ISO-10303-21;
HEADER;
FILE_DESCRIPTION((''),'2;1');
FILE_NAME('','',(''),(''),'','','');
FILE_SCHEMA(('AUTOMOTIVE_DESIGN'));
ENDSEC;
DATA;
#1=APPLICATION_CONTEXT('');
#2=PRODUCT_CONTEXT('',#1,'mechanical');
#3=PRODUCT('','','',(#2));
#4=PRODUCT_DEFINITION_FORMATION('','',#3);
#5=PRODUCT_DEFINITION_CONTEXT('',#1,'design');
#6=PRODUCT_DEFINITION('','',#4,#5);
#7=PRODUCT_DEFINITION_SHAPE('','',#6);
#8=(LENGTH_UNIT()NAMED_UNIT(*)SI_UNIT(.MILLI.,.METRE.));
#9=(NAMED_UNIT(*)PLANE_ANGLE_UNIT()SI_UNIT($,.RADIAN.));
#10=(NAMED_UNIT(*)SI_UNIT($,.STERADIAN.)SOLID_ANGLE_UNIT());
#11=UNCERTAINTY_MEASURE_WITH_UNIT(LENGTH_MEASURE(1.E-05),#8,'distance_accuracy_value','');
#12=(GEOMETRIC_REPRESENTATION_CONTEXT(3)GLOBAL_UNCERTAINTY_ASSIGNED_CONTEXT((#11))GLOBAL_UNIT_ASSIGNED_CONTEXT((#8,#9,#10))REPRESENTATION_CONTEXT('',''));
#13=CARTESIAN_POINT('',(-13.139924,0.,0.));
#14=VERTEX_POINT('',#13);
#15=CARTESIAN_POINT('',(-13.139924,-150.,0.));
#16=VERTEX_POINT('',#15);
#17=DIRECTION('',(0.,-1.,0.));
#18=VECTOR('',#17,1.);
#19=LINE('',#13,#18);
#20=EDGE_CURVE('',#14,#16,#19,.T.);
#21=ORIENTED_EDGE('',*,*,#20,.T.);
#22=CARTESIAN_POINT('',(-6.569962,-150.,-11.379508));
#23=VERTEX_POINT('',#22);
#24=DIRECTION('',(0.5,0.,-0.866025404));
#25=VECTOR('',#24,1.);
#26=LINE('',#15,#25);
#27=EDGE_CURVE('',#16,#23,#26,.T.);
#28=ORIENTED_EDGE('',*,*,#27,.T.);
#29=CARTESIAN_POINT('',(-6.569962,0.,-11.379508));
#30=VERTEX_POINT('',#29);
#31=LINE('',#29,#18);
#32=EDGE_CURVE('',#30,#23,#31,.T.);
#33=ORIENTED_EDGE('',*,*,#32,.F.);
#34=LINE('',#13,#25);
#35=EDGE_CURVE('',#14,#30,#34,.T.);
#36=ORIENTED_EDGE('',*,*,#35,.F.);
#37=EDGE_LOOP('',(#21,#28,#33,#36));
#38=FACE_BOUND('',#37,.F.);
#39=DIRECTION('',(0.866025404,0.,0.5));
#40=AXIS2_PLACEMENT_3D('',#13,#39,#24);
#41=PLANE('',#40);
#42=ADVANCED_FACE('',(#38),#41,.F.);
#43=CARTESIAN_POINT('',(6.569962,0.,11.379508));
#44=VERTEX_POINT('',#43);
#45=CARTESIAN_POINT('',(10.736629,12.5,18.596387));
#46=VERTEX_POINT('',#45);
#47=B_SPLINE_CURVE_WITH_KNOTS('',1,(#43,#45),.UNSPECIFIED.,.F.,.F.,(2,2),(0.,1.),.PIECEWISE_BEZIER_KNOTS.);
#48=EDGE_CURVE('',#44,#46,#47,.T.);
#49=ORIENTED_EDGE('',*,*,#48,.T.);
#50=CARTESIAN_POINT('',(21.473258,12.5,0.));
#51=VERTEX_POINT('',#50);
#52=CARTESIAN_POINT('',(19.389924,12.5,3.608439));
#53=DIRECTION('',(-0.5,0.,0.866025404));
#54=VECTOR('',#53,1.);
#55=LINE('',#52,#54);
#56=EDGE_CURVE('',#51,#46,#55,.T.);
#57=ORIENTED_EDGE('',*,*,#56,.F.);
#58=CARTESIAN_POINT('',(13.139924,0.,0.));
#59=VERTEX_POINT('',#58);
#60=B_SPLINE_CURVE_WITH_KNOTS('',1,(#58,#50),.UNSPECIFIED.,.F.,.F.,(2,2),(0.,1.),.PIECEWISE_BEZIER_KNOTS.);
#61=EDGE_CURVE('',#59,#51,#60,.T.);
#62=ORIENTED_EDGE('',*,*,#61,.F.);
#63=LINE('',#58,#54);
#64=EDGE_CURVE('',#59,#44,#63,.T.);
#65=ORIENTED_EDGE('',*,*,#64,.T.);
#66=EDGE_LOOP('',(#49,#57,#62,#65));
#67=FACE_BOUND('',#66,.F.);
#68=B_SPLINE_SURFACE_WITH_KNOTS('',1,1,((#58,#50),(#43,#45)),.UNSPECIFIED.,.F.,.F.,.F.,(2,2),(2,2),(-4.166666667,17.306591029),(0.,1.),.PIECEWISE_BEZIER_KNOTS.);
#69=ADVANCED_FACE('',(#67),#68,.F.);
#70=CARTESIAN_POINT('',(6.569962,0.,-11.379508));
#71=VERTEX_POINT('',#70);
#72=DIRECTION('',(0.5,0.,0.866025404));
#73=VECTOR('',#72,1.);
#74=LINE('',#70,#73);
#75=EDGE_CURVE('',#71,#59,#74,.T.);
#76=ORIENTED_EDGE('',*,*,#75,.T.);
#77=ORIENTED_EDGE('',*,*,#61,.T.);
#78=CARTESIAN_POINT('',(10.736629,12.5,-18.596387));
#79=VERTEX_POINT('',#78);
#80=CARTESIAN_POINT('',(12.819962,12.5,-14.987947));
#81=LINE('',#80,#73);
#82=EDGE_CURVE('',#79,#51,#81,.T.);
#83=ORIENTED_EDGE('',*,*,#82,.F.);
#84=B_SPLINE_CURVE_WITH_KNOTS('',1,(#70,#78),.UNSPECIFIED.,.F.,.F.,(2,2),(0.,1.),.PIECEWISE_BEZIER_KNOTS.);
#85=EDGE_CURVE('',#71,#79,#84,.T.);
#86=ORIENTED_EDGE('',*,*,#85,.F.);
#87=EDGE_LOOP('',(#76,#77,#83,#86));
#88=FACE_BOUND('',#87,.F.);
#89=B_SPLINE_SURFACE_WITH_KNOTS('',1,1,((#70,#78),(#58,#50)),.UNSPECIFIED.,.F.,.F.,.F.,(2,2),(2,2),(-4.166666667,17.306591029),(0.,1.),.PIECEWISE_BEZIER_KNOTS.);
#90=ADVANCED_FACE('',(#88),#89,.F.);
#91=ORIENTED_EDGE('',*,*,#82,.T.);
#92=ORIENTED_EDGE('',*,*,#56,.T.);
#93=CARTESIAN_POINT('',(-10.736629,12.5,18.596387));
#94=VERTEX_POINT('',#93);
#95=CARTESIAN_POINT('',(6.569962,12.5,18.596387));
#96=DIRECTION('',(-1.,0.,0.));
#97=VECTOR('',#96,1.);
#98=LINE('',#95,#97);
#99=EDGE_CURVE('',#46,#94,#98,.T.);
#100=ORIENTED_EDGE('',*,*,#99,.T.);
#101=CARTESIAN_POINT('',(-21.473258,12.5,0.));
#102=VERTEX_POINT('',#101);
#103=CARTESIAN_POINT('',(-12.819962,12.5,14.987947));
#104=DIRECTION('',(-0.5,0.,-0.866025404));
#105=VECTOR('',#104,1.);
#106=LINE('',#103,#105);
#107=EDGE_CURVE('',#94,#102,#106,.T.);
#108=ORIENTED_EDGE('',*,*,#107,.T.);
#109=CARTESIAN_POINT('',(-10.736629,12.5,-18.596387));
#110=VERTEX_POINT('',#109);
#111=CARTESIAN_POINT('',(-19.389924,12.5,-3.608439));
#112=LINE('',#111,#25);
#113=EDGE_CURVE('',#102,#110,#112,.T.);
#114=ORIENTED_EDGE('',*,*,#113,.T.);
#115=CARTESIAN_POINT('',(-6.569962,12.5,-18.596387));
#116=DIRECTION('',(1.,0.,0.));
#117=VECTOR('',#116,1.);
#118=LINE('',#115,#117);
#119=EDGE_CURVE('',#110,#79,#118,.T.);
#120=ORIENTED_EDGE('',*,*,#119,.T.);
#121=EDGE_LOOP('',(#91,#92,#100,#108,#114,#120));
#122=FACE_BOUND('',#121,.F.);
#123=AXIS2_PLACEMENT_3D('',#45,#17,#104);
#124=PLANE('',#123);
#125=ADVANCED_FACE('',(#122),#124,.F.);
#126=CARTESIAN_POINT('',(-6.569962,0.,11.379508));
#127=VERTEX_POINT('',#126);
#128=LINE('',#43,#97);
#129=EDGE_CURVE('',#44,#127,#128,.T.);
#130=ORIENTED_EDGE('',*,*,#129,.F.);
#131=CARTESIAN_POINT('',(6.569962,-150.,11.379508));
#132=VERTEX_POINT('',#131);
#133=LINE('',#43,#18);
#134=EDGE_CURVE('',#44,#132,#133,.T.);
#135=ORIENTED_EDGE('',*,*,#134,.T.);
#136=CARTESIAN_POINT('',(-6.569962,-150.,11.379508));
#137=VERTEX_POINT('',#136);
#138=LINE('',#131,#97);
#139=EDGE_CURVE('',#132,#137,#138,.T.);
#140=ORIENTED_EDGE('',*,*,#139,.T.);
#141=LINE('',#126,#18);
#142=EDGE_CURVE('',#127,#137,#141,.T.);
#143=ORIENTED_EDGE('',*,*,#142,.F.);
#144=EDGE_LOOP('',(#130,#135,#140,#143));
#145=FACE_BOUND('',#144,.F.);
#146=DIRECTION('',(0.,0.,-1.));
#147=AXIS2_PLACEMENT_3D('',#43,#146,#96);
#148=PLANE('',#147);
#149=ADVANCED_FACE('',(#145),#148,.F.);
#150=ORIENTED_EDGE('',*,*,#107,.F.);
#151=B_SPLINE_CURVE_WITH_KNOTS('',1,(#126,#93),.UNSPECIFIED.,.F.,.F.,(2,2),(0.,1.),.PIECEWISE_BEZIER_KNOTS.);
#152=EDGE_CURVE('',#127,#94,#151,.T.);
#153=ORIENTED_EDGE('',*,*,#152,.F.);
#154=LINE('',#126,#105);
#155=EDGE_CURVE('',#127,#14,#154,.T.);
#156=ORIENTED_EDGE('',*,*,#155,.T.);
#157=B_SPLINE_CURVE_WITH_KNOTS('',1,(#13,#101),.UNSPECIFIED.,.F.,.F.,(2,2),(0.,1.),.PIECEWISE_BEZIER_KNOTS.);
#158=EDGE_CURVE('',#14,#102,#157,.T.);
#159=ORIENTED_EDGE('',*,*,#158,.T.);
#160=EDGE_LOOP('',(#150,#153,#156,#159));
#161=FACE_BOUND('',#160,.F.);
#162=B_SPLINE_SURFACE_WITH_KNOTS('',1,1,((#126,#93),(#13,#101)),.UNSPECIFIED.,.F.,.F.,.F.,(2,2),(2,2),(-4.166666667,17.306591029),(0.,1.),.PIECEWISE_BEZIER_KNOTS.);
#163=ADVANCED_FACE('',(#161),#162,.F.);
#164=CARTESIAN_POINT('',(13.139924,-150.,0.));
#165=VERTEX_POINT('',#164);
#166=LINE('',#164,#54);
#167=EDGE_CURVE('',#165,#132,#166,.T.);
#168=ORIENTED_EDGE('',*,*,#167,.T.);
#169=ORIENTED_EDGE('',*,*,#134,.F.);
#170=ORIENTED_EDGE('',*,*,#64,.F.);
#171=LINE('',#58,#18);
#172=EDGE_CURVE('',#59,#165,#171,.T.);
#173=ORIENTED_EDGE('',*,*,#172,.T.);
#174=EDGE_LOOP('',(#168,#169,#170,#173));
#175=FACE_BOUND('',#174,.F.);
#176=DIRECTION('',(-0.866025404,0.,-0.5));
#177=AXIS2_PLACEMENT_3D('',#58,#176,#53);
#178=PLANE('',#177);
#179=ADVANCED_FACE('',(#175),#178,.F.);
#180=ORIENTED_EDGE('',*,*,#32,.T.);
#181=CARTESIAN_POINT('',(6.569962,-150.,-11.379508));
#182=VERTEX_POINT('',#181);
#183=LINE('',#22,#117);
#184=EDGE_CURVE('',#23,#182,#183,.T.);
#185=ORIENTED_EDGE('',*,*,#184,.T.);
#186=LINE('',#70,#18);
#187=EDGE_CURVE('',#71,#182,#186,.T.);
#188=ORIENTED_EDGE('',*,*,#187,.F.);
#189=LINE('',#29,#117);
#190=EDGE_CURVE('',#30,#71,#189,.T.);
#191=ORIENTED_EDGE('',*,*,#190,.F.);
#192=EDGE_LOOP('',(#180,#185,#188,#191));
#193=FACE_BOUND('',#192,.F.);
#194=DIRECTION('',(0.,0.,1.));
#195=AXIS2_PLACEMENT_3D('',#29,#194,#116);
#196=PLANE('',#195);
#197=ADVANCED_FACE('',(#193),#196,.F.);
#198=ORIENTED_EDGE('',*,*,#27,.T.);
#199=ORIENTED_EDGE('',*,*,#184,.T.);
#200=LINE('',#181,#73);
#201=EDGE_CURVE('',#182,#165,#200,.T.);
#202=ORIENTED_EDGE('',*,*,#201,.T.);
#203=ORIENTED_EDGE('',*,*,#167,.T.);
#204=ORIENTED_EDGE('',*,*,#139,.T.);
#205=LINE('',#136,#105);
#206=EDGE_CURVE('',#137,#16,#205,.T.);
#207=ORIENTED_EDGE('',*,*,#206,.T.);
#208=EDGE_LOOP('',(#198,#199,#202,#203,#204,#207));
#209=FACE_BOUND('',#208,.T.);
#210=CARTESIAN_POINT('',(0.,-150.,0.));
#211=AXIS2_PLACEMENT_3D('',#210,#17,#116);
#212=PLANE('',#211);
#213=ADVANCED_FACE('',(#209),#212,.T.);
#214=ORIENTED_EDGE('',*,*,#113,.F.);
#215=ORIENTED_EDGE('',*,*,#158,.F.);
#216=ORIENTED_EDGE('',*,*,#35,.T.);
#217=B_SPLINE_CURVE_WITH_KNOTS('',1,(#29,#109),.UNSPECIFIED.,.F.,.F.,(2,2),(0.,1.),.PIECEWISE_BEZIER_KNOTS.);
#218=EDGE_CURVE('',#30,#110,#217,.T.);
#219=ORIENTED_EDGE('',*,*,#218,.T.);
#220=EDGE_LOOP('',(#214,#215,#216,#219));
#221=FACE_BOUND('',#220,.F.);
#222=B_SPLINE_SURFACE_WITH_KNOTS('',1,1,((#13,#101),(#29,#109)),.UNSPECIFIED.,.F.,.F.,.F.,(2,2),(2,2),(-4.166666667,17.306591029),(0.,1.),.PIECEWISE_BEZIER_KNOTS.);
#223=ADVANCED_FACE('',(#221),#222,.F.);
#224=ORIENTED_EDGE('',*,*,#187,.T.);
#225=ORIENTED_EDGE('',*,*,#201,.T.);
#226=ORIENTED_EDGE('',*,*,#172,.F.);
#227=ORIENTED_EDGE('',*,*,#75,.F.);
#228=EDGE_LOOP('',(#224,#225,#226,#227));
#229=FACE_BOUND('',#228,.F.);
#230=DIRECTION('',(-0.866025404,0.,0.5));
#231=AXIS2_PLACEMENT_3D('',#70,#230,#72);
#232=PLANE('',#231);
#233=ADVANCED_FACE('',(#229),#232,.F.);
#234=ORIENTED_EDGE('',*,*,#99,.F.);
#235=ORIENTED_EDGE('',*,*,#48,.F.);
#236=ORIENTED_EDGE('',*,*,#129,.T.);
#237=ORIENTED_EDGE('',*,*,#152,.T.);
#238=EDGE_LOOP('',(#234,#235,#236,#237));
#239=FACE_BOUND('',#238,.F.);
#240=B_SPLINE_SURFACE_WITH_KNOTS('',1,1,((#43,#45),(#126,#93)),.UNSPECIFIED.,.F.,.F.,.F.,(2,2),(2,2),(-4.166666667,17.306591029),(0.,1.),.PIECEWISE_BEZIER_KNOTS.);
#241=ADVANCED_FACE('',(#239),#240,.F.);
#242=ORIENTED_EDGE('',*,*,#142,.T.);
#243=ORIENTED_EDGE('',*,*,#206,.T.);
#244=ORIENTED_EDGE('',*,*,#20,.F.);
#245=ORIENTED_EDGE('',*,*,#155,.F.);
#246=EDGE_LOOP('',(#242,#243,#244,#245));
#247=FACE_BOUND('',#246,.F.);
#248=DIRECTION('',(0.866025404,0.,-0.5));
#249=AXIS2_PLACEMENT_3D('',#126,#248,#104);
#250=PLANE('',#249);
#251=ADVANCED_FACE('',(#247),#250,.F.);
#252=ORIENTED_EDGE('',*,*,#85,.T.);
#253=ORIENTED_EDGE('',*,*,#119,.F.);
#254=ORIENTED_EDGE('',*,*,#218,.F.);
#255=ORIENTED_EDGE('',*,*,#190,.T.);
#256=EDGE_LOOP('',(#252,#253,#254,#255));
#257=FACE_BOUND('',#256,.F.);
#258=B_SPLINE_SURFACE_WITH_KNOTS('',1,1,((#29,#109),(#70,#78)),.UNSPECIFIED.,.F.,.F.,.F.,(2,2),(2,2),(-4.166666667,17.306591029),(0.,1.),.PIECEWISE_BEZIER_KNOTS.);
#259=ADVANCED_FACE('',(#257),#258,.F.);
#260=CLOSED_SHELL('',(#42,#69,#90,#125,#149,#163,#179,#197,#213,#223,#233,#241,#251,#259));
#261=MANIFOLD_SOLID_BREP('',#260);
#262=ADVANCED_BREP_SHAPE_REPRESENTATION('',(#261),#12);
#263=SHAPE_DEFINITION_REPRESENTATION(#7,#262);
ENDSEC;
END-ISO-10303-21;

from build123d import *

# Parameters (mm, degrees)
F1_DEPTH = 150
F2_DEPTH = 12.5
F2_TAPER = -30


with BuildPart() as f1:
    # F0 (on Front) → F1 (new body)
    with BuildSketch(Plane.XZ):
        Polygon((6.5699621812, 11.3795083016), (-6.5699621812, 11.3795083016), (-13.1399243624, 0), (-6.5699621812, -11.3795083016), (6.5699621812, -11.3795083016), (13.1399243624, 0), align=None)
    extrude(amount=F1_DEPTH)

    # F0 (on Front) → F2 (join)
    with BuildSketch(Plane.XZ):
        Polygon((6.5699621812, 11.3795083016), (-6.5699621812, 11.3795083016), (-13.1399243624, 0), (-6.5699621812, -11.3795083016), (6.5699621812, -11.3795083016), (13.1399243624, 0), align=None)
    extrude(amount=-F2_DEPTH, taper=F2_TAPER)


solid = f1.part
